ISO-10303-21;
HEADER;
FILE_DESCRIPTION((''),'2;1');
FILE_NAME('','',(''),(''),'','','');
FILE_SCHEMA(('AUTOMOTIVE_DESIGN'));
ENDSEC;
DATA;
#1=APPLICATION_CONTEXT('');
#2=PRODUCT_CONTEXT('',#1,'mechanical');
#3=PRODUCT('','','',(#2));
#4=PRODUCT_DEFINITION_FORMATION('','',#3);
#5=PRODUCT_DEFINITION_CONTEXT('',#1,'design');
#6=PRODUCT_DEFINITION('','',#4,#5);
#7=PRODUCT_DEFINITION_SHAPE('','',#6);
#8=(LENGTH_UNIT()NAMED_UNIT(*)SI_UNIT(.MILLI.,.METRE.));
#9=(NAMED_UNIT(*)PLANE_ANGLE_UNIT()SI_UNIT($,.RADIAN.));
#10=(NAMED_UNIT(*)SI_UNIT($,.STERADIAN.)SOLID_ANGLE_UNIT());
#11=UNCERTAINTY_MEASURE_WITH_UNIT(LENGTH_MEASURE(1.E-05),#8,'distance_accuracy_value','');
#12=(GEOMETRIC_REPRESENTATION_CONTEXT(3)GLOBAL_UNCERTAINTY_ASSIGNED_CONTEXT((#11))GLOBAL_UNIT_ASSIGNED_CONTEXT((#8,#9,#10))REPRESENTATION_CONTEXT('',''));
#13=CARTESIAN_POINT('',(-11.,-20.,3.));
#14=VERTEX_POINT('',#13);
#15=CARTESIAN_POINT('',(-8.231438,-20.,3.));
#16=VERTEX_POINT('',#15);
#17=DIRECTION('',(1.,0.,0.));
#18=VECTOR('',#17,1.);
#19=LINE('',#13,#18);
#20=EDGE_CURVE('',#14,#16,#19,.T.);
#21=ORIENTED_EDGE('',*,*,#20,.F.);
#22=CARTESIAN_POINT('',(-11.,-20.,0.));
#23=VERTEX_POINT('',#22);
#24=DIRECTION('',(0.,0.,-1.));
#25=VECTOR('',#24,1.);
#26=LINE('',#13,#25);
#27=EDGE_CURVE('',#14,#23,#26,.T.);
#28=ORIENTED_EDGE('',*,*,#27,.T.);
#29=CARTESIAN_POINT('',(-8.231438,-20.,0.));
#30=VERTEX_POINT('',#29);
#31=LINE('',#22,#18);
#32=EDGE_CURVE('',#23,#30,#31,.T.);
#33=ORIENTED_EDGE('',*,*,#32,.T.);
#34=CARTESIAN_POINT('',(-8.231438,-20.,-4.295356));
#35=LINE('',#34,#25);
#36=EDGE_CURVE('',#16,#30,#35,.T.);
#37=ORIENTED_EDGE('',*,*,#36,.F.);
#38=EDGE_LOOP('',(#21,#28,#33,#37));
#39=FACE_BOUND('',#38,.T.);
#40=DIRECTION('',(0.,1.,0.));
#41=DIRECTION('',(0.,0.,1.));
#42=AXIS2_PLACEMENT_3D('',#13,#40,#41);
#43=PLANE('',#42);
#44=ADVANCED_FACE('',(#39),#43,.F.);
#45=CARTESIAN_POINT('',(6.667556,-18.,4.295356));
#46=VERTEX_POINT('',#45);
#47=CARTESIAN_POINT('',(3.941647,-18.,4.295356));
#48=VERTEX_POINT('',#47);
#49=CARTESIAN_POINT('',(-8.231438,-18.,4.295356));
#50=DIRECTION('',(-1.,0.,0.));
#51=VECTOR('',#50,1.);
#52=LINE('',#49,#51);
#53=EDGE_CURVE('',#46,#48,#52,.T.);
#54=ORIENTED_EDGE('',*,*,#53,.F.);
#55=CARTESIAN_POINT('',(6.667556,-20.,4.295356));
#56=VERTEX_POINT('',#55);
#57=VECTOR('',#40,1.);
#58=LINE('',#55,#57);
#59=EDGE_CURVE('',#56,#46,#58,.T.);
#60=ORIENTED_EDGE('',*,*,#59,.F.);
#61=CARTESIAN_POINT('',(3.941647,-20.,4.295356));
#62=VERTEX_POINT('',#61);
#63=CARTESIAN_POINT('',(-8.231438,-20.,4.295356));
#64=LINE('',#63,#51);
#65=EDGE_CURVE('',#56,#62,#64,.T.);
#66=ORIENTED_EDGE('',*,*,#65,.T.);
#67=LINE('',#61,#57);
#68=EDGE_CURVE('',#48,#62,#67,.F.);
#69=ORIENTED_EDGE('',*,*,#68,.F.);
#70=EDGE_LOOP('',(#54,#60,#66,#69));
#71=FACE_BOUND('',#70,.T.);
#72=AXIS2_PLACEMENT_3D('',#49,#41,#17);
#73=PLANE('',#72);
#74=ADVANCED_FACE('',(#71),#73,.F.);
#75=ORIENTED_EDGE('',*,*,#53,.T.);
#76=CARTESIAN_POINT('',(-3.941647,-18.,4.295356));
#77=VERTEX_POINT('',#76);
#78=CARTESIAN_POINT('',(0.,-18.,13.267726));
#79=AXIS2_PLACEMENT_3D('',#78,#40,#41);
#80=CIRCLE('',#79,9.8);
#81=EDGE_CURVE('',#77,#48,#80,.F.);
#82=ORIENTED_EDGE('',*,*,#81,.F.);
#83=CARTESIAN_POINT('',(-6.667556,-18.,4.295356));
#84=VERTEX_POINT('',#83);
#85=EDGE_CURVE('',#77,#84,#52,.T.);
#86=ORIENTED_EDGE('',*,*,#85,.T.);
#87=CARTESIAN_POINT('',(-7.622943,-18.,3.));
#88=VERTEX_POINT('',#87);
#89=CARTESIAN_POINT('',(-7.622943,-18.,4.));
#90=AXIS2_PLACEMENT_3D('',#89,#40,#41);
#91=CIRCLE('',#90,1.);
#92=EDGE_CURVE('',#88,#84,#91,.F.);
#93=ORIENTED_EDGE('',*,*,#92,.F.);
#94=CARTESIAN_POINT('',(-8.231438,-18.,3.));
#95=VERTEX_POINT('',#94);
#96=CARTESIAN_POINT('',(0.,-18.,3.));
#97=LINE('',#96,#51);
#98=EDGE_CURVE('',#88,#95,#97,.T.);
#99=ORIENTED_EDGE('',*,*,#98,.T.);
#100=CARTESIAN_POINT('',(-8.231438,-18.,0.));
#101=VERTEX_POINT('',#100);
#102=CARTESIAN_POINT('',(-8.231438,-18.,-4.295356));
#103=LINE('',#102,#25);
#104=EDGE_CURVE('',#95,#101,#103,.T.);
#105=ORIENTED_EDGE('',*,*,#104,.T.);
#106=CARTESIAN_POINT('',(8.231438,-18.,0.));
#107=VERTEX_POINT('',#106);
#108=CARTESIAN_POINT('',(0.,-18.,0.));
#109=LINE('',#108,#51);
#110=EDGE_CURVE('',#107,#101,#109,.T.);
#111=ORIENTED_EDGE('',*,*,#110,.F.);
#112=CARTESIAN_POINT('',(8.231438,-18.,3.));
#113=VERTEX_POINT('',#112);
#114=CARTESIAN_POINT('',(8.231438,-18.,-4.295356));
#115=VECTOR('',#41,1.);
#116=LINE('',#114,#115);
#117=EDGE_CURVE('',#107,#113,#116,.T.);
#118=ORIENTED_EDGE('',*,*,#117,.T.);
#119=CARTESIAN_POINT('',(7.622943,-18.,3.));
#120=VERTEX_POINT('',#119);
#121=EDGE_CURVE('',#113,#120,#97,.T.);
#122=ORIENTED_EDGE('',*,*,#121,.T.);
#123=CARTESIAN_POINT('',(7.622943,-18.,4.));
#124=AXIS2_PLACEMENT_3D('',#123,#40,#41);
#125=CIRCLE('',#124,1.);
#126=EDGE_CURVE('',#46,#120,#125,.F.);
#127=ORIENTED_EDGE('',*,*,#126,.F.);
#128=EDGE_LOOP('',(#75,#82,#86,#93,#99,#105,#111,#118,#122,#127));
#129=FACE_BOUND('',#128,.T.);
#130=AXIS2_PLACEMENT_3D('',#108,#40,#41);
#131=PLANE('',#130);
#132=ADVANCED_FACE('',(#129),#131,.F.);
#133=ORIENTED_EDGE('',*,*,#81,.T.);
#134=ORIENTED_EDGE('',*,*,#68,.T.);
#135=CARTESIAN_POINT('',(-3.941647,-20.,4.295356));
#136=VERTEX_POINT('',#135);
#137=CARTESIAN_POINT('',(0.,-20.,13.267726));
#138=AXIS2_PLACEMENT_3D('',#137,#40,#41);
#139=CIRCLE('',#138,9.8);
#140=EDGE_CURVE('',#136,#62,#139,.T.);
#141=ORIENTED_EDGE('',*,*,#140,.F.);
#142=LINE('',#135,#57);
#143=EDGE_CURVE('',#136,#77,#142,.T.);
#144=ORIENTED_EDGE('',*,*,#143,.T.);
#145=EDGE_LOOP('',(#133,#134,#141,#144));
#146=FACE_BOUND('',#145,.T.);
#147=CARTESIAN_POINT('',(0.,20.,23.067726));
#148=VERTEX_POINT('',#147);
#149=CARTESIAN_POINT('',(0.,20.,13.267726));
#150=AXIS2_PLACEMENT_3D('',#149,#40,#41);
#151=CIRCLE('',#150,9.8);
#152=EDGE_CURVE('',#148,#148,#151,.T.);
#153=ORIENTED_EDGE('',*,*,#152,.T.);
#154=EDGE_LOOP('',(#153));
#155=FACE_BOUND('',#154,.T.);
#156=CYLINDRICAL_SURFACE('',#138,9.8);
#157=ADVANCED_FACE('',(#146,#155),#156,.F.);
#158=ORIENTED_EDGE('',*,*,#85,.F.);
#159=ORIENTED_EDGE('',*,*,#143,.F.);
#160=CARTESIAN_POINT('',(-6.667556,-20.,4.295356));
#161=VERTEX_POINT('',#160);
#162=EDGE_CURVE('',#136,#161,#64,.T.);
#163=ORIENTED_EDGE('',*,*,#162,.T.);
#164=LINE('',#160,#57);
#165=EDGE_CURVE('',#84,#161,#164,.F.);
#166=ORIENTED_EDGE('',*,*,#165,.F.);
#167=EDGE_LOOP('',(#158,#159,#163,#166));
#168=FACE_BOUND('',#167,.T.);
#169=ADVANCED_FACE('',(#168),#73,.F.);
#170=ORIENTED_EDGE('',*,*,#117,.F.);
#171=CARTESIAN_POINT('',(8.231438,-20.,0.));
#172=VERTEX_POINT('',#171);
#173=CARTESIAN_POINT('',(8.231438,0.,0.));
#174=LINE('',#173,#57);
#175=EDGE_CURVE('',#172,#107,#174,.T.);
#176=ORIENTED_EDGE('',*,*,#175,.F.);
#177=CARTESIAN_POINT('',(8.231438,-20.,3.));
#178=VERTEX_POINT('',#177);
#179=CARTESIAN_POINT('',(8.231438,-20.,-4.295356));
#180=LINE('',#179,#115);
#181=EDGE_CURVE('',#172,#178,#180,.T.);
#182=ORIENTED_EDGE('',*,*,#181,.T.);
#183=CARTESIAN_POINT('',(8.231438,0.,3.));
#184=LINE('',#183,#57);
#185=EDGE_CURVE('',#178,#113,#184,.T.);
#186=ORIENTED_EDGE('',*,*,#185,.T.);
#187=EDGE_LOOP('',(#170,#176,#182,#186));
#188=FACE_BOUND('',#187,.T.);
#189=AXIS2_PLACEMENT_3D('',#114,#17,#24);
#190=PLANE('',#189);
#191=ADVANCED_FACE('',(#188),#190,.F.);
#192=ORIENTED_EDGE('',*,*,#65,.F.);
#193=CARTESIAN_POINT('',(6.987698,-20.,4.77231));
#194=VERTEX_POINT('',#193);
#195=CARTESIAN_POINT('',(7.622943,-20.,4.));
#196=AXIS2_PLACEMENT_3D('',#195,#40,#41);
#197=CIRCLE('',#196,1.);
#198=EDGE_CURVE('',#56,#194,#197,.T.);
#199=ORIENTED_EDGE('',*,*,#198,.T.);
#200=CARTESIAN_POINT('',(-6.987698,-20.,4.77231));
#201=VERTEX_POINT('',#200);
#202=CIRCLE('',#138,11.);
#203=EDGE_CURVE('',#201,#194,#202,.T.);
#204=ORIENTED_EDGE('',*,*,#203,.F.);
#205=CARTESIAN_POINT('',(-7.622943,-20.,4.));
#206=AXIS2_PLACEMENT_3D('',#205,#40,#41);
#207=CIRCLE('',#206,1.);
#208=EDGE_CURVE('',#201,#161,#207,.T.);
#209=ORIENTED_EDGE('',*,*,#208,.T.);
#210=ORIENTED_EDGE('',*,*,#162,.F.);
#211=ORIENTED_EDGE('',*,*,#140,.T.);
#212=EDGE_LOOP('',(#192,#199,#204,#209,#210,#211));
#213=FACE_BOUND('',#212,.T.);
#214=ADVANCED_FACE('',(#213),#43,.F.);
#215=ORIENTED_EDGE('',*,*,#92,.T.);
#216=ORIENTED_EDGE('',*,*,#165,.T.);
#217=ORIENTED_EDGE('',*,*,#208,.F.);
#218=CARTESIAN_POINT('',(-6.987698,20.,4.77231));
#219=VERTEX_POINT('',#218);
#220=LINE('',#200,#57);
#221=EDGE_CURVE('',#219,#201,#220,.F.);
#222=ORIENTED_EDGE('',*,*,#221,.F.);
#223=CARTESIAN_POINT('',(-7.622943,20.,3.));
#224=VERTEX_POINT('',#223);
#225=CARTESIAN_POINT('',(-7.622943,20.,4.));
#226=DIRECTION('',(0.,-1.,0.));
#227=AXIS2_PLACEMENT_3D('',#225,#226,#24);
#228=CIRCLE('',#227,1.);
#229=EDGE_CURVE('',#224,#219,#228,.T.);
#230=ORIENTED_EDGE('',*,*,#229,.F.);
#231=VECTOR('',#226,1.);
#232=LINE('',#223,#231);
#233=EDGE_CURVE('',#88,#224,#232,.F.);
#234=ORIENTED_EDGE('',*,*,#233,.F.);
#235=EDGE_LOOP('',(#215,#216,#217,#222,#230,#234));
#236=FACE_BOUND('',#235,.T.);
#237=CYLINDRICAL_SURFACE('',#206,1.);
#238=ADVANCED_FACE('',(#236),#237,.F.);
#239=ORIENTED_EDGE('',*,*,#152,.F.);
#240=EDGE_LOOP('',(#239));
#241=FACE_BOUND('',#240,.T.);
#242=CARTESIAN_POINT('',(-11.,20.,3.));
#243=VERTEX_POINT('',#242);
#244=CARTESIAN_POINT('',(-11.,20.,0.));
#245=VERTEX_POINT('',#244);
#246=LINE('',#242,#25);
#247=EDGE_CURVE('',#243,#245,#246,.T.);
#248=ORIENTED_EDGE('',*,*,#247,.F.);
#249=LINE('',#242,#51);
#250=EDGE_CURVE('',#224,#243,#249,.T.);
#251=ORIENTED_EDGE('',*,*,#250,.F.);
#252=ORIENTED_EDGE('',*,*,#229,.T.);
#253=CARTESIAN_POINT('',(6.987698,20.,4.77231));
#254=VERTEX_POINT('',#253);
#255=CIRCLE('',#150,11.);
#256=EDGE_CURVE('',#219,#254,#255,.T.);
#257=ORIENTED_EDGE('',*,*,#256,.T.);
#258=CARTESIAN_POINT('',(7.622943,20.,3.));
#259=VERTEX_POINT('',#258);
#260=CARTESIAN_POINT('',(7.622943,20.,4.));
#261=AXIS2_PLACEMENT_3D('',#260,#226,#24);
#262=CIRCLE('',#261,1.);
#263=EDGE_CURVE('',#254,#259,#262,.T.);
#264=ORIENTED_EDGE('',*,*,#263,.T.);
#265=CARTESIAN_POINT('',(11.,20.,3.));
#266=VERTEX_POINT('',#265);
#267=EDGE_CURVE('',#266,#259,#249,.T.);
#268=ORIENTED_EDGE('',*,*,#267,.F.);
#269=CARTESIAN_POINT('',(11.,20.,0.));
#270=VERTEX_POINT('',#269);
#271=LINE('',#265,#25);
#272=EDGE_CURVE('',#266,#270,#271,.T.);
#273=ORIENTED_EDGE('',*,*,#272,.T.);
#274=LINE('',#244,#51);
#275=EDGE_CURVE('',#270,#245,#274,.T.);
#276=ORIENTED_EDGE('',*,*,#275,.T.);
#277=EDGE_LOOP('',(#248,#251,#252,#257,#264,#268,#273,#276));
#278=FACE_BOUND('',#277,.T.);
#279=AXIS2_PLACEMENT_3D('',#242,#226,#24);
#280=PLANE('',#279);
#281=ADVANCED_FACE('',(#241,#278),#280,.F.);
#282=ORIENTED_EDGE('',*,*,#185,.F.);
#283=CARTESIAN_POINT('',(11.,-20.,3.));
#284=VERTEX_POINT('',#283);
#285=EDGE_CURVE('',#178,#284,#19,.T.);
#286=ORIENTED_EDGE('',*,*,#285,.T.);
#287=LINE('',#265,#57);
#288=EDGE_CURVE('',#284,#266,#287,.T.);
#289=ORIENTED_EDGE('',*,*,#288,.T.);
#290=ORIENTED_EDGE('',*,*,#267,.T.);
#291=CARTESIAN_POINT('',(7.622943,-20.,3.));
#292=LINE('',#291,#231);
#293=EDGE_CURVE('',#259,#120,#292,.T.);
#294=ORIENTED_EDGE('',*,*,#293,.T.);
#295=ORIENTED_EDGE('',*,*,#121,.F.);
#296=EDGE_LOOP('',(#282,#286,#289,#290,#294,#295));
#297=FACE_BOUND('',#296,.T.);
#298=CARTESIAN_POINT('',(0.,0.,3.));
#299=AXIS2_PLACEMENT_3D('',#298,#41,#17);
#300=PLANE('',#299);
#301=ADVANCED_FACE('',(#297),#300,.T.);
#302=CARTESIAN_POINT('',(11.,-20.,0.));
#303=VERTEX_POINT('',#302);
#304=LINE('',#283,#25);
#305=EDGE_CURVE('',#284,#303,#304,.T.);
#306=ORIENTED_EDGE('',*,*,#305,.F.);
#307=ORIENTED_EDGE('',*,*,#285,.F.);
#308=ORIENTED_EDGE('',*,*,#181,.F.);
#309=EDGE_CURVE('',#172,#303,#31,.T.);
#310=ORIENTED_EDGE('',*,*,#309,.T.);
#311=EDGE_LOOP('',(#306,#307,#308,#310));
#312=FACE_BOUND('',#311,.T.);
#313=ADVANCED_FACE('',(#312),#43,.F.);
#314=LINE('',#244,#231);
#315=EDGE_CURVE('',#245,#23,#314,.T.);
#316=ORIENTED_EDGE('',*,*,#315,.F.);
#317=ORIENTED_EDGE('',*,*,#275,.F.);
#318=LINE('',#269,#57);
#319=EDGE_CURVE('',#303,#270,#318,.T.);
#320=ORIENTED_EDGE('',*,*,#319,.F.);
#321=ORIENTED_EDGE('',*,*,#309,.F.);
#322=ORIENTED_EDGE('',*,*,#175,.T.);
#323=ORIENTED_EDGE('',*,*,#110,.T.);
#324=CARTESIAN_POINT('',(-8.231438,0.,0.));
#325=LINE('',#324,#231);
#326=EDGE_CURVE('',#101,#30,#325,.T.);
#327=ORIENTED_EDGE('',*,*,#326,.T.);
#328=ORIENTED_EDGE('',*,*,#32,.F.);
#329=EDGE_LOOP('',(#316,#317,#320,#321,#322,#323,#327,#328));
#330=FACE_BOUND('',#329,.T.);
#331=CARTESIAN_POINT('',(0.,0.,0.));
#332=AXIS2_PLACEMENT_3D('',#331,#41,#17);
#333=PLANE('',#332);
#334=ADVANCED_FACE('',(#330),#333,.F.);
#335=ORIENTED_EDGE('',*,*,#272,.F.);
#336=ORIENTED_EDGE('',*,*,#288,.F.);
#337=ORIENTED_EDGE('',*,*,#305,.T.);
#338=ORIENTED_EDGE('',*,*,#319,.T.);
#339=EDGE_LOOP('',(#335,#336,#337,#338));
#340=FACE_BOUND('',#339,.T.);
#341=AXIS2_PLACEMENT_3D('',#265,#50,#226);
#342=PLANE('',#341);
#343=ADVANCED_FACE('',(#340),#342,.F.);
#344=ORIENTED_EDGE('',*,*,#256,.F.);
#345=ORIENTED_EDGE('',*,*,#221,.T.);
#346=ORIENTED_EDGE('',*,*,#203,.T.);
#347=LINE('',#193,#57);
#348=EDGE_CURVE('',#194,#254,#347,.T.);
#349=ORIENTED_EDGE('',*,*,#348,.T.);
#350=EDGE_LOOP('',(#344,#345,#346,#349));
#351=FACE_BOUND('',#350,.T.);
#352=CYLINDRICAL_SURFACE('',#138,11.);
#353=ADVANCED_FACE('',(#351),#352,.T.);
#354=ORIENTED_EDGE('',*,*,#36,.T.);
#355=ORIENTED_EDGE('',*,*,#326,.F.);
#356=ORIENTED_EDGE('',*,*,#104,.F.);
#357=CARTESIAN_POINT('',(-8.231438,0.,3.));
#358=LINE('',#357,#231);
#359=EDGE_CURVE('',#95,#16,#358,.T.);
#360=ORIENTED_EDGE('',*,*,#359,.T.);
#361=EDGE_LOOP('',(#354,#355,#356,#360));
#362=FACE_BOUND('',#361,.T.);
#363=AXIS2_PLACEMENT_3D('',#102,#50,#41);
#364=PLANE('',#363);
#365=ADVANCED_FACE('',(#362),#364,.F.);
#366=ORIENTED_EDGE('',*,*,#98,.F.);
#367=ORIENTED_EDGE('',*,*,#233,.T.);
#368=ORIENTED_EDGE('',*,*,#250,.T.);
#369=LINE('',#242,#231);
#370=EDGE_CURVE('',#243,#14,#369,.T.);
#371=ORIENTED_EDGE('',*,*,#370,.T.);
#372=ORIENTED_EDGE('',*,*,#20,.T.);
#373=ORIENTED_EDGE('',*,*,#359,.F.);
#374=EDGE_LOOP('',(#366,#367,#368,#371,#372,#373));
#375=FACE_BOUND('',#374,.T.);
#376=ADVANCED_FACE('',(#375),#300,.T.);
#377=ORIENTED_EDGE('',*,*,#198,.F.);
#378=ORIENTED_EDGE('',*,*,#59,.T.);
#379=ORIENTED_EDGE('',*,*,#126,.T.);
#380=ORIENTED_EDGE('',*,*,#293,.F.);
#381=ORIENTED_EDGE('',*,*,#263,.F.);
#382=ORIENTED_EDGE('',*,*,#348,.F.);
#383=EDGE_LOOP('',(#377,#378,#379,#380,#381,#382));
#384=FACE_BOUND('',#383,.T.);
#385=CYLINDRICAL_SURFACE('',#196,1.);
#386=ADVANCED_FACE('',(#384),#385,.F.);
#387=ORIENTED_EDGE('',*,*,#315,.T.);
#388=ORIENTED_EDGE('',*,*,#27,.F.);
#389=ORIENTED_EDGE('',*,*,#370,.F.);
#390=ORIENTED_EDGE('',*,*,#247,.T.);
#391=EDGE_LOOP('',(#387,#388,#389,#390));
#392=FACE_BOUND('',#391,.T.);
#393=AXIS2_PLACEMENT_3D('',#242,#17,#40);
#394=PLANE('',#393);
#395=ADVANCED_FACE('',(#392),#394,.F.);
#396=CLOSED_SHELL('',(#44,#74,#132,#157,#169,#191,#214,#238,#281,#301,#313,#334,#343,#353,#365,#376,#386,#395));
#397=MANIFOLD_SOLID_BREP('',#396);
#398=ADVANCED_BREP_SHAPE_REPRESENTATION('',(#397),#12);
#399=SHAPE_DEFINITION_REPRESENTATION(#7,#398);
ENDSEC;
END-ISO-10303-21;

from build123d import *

# Parameters (mm, degrees)
SKETCH_1_W          = 22
SKETCH_1_H          = 40
EXTRUDE_1_DEPTH     = 3
SKETCH_2_R          = 11
SKETCH_2_R_2        = 9.8
EXTRUDE_2_DEPTH     = 40
FILLET_1_R          = 1
SKETCH_3_W          = 16.462875958
SKETCH_3_H          = 8.59071229
CUT_EXTRUDE_1_DEPTH = 2


with BuildPart() as part:
    # Эскиз1 → Бобышка-Вытянуть1 (new body)
    with BuildSketch(Plane.XY):
        Rectangle(SKETCH_1_W, SKETCH_1_H)
    extrude(amount=EXTRUDE_1_DEPTH)

    # Эскиз2 → Бобышка-Вытянуть2 (add)
    with BuildSketch(Plane(origin=(0, 20, 0), x_dir=(1, 0, 0), z_dir=(0, 1, 0))):
        with Locations((0, -13.26772589)):
            Circle(SKETCH_2_R)
        with Locations(Location((0, -13.26772589, 0), (0, 0, 270))):
            Circle(SKETCH_2_R_2, mode=Mode.SUBTRACT)
    extrude(amount=-EXTRUDE_2_DEPTH)

    # Скругление1
    fillet_1_edges = [part.edges().sort_by_distance(p)[0] for p in [
        (-3.946366055, 0, 3),
        (3.946366055, 0, 3),
    ]]
    fillet(fillet_1_edges, radius=FILLET_1_R)

    # Эскиз3 → Вырез-Вытянуть1 (cut)
    with BuildSketch(Plane.XZ.offset(20)):
        Rectangle(SKETCH_3_W, SKETCH_3_H)
    extrude(amount=-CUT_EXTRUDE_1_DEPTH, mode=Mode.SUBTRACT)


solid = part.part
